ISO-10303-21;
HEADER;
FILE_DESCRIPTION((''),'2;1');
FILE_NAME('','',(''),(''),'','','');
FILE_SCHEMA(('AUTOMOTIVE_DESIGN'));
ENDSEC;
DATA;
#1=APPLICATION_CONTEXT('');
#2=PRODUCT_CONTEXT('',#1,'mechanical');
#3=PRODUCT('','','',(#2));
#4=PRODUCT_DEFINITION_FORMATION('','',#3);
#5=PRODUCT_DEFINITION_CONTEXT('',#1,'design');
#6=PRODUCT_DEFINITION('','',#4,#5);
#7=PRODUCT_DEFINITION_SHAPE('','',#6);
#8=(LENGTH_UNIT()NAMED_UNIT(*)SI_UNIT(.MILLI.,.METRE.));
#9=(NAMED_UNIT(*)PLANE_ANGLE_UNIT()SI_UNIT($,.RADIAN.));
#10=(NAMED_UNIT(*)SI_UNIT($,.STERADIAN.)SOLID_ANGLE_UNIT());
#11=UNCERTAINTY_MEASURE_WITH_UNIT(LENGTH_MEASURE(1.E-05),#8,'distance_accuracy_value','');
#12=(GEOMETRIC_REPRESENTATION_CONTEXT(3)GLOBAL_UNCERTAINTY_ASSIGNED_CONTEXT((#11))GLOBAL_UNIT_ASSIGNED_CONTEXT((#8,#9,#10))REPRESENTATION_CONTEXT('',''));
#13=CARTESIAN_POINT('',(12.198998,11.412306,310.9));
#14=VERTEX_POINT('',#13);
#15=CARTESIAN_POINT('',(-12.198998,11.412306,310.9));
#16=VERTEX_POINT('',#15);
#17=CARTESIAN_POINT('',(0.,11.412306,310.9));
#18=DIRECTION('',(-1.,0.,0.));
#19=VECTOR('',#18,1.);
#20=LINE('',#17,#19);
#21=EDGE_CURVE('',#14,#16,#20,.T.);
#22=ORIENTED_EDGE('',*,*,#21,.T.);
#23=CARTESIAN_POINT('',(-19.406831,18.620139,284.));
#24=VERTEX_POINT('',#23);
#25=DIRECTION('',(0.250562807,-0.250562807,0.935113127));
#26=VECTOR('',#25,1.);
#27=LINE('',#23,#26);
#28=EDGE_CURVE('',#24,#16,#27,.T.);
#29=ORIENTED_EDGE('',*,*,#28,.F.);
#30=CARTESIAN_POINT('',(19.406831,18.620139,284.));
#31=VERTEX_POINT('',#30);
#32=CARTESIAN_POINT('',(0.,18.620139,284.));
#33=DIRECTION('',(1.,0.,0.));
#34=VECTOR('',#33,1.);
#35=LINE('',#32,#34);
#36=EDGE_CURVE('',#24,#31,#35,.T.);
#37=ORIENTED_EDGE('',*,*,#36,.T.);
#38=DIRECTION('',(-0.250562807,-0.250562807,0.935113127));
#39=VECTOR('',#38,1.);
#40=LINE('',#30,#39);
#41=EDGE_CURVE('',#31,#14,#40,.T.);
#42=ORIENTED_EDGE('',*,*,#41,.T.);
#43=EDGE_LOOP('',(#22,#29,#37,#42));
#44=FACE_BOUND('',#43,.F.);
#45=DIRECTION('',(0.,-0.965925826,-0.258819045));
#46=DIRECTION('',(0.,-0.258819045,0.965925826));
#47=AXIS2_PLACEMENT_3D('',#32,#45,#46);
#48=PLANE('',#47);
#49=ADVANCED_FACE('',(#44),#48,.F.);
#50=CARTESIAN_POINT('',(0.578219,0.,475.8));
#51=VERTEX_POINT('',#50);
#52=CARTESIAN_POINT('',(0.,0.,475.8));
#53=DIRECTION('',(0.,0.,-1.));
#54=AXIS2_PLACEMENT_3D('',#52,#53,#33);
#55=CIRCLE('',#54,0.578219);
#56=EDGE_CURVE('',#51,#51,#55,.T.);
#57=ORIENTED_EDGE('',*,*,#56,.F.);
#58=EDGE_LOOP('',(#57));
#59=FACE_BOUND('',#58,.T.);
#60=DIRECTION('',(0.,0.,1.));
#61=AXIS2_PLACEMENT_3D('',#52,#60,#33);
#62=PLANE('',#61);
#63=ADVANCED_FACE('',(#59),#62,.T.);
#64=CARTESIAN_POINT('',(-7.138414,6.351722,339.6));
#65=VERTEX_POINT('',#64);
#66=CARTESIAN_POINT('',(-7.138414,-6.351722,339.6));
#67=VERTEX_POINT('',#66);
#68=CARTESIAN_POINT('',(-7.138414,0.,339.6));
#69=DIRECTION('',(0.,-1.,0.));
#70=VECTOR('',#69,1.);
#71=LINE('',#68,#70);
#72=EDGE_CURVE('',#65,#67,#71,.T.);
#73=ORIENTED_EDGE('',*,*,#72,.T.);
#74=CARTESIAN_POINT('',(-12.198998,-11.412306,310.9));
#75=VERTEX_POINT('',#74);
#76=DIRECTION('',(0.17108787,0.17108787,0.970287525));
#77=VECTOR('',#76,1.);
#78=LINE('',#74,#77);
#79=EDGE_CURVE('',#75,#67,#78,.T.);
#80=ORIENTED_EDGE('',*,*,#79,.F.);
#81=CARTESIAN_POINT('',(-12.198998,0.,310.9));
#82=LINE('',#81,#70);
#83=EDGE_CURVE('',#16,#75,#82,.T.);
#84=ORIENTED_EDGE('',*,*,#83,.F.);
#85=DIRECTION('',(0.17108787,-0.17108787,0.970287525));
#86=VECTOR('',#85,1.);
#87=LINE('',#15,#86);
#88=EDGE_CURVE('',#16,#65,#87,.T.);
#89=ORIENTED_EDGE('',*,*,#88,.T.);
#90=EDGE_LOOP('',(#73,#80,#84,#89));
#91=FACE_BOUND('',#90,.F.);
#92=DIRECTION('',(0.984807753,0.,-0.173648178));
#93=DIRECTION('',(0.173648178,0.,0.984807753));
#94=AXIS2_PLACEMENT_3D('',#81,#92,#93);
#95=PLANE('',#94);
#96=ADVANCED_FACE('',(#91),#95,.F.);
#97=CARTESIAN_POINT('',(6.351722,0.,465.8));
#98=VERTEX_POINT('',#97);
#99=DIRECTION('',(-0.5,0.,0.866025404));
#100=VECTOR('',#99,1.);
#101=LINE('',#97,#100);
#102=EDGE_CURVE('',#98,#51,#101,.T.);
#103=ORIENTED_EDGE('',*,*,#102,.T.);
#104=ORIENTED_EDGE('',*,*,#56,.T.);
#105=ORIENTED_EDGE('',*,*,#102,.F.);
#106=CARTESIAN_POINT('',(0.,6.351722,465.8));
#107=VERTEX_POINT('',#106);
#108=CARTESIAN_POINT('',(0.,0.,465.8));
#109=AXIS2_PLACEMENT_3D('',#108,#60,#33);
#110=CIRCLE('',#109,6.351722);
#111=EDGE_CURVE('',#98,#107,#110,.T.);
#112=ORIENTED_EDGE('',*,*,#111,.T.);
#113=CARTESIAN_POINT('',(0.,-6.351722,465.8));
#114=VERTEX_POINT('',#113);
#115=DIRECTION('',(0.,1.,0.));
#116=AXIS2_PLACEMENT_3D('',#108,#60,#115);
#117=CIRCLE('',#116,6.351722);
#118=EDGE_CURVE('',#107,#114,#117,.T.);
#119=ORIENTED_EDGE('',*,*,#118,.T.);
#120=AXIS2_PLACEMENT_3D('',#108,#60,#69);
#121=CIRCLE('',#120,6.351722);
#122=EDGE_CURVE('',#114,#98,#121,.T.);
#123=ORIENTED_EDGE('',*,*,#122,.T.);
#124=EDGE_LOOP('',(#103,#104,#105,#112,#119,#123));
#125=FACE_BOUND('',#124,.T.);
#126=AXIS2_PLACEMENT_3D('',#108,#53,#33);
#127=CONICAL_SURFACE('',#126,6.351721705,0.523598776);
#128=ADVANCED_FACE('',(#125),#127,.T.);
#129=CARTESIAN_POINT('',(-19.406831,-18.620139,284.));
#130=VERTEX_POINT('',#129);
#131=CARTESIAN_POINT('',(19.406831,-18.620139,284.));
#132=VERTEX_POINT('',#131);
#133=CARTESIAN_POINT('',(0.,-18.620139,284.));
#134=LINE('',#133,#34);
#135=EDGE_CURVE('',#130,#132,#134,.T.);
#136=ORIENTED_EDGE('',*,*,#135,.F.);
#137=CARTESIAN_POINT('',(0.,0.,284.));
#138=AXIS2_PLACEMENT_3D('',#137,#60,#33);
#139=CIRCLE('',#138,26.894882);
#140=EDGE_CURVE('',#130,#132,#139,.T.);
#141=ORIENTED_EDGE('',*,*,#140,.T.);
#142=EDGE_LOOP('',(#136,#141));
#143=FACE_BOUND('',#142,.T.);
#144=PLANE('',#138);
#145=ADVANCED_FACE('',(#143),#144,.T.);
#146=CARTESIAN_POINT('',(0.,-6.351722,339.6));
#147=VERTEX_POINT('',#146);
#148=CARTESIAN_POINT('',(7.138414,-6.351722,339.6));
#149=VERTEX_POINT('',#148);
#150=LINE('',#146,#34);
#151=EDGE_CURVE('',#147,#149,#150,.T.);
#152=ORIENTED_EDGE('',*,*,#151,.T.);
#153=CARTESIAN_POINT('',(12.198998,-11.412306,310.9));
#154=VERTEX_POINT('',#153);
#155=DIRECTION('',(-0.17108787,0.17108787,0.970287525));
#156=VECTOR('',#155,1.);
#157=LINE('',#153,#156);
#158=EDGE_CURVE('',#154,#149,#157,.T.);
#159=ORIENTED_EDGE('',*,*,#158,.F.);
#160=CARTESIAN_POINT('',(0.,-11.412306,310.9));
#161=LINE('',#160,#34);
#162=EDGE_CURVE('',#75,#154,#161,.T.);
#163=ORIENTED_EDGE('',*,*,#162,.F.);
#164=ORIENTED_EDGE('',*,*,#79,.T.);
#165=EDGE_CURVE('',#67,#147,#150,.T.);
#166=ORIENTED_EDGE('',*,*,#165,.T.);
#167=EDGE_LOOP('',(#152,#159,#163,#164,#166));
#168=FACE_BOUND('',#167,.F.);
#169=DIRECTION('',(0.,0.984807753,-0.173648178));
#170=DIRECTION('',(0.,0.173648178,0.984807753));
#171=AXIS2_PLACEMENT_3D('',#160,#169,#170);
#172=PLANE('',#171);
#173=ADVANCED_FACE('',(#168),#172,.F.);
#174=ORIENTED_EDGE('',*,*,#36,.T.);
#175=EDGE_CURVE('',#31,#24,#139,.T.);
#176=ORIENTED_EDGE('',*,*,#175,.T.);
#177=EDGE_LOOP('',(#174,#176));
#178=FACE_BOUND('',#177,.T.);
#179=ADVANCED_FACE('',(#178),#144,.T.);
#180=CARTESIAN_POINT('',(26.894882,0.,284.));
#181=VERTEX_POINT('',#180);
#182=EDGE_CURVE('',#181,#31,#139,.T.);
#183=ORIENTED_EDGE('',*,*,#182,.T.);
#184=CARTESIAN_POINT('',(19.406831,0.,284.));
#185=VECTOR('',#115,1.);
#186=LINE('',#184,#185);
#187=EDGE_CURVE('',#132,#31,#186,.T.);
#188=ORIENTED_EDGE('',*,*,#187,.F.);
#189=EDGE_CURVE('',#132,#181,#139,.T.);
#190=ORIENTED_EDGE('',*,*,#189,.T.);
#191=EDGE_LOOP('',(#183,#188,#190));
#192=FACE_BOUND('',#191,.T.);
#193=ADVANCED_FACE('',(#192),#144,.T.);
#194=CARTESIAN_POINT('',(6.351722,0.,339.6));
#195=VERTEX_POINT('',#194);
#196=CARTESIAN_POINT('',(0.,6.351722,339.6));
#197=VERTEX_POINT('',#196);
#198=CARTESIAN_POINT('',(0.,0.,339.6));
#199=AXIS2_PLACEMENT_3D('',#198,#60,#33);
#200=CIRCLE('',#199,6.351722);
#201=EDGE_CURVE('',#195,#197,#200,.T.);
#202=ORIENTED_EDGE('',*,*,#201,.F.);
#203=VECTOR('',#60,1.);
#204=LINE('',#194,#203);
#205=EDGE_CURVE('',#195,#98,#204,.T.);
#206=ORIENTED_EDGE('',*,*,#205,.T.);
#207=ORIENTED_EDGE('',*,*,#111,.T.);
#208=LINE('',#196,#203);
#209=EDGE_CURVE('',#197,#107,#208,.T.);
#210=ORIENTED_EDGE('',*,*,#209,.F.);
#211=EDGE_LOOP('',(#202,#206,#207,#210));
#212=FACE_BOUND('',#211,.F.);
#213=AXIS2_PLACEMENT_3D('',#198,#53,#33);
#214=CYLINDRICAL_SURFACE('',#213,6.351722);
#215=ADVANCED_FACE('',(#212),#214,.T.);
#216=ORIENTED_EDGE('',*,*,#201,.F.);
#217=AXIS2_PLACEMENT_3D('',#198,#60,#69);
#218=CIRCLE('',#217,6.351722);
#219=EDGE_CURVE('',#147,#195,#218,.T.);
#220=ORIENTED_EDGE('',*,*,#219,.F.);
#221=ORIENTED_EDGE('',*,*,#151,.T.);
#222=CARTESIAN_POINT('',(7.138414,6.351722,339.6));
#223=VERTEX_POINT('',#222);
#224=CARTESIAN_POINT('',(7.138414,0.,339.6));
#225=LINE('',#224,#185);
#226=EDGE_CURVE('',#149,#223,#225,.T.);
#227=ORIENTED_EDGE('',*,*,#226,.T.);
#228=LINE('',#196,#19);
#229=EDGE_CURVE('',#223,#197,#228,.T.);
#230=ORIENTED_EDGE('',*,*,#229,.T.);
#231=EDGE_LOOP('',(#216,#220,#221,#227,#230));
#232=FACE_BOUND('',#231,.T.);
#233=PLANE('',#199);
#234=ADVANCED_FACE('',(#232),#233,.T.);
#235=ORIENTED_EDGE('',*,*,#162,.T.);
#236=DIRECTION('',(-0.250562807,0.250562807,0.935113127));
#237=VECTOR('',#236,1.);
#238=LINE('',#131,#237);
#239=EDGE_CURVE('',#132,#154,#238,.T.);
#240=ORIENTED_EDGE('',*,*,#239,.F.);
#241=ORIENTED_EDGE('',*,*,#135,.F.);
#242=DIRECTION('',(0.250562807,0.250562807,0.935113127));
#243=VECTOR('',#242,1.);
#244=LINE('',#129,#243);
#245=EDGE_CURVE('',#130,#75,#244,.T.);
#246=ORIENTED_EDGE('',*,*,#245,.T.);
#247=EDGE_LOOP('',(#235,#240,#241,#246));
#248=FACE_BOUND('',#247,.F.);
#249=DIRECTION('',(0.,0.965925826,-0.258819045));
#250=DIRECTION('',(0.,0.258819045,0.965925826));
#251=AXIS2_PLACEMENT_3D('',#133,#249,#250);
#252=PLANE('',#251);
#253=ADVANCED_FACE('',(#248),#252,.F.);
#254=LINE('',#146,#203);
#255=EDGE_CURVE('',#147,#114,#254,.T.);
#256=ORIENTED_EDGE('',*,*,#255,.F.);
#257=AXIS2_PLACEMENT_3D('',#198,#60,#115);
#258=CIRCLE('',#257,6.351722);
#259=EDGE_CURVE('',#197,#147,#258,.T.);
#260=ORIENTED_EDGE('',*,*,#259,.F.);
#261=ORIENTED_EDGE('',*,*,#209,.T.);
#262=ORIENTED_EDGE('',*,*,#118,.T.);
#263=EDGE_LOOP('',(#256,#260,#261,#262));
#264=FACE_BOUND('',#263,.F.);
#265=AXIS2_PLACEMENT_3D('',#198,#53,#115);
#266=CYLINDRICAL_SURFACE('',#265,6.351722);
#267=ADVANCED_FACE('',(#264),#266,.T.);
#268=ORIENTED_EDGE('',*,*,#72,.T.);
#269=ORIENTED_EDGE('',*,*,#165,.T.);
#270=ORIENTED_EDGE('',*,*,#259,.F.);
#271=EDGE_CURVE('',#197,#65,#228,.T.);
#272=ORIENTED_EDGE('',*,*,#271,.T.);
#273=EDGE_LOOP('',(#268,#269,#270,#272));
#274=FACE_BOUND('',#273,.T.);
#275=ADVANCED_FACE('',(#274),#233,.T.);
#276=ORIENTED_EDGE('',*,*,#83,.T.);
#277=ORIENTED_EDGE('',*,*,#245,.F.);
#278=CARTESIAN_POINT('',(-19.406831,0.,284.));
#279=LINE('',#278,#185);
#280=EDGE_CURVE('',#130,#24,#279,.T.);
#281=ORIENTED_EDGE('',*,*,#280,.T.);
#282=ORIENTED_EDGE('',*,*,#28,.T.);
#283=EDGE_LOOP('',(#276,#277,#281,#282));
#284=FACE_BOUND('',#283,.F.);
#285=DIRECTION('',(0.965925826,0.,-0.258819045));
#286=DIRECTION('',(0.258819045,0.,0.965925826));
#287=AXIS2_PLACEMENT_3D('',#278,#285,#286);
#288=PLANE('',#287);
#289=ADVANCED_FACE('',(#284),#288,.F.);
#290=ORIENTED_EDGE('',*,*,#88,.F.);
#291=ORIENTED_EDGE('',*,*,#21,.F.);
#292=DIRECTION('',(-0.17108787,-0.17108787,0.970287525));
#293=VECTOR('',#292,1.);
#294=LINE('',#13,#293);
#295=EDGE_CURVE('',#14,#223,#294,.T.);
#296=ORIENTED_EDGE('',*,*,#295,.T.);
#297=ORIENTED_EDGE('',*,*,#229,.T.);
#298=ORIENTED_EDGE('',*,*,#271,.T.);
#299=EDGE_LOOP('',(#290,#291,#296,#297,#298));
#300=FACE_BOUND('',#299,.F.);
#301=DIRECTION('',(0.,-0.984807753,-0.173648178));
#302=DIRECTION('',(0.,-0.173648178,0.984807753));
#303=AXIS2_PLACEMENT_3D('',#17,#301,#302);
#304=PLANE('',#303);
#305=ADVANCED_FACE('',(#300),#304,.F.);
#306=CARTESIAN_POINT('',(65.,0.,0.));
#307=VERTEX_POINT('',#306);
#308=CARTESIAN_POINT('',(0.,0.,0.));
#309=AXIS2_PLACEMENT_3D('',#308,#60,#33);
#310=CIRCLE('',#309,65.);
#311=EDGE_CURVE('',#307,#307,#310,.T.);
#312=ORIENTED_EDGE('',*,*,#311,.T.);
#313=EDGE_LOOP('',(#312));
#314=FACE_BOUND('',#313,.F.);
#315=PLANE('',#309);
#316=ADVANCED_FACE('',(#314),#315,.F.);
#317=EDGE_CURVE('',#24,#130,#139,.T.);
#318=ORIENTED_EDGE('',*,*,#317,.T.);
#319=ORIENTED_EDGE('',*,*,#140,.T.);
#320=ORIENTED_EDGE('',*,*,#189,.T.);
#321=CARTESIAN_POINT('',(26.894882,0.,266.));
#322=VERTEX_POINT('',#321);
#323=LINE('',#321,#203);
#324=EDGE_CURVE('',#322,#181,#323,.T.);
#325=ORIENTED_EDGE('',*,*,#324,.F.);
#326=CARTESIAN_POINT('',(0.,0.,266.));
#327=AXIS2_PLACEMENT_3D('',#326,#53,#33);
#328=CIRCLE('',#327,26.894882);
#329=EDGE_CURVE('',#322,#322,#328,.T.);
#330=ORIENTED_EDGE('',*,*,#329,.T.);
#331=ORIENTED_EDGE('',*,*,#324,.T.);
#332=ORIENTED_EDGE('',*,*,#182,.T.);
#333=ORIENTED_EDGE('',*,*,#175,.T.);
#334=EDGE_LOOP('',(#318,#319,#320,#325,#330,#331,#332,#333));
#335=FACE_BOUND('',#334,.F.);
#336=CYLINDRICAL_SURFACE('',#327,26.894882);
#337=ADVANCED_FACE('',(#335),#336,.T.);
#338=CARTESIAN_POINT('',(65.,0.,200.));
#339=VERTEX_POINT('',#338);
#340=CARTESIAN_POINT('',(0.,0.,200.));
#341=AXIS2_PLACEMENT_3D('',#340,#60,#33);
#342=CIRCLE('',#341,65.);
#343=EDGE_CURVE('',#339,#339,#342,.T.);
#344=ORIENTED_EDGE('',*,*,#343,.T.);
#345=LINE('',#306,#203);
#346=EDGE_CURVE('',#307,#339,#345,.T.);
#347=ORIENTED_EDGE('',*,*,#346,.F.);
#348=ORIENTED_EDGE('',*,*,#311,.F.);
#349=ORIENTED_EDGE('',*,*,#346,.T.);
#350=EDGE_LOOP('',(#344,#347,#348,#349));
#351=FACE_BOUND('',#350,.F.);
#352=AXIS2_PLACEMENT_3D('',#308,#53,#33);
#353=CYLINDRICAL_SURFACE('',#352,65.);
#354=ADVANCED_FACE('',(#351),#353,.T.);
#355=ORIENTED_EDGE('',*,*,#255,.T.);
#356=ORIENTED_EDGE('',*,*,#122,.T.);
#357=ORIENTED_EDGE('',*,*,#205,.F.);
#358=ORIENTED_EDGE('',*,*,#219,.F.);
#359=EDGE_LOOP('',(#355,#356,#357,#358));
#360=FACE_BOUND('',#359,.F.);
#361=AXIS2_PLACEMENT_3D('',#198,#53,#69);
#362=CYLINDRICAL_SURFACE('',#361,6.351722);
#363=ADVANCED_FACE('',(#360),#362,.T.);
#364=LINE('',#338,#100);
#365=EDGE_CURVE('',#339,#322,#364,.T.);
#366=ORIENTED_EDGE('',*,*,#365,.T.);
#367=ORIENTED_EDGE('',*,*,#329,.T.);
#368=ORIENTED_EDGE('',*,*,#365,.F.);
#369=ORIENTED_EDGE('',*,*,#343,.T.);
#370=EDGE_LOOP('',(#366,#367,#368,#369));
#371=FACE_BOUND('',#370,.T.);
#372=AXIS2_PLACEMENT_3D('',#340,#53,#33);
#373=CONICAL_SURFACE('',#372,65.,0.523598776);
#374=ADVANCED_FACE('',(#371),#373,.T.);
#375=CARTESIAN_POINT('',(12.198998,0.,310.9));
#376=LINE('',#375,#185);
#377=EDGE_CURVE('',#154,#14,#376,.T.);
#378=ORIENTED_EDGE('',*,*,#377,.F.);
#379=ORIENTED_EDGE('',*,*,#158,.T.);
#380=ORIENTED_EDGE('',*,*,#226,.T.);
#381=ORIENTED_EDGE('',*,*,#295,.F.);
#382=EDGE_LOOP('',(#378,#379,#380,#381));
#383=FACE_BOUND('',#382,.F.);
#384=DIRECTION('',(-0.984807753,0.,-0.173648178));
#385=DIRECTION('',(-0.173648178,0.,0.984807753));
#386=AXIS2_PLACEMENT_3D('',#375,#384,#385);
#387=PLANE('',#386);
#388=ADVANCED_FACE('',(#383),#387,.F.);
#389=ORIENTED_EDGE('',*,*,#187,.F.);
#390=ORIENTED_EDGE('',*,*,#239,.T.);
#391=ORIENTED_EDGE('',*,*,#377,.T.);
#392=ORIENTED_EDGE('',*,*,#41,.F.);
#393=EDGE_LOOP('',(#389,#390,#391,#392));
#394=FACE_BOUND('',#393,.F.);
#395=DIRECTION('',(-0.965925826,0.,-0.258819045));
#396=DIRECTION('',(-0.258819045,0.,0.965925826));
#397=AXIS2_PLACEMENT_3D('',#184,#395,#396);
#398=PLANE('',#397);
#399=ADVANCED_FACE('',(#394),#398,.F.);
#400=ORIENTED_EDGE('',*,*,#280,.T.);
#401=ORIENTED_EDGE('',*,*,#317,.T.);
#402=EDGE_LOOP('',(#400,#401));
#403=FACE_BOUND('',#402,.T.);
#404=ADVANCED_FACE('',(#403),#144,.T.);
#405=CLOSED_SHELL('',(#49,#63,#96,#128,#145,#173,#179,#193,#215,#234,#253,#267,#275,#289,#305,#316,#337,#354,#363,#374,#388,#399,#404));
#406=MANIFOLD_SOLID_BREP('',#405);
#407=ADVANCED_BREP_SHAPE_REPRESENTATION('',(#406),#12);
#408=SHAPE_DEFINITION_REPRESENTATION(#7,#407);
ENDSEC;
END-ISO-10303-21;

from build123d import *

# Parameters (mm, degrees)
F0_R       = 65
F1_DEPTH   = 200
F2_R       = 65
F3_DEPTH   = 66
F3_TAPER   = 30
F4_R       = 26.8948822335
F5_DEPTH   = 18
F6_W       = 38.8136626348
F6_H       = 37.2402786548
F7_DEPTH   = 26.9
F7_TAPER   = 15
F7_FACE_W  = 24.397996082
F7_FACE_H  = 22.824612102
F8_DEPTH   = 28.7
F8_TAPER   = 10
F10_DEPTH  = 126.2
F11_R      = 6.3517217046
F10_FACE_R = 6.3517217046
F12_DEPTH  = 10
F12_TAPER  = 30


with BuildPart() as f1:
    # F0 (on Top) → F1 (new body)
    with BuildSketch(Plane.XY):
        Circle(F0_R)
    extrude(amount=F1_DEPTH)

    # F2 (on face) → F3 (join)
    with BuildSketch(Plane.XY.offset(200)):
        Circle(F2_R)
    extrude(amount=F3_DEPTH, taper=F3_TAPER)

    # F4 (on face) → F5 (join)
    with BuildSketch(Plane.XY.offset(266)):
        Circle(F4_R)
    extrude(amount=F5_DEPTH)

    # F6 (on face) → F7 (join)
    with BuildSketch(Plane.XY.offset(284)):
        Rectangle(F6_W, F6_H)
    extrude(amount=F7_DEPTH, taper=F7_TAPER)

    # F7_face (on face) → F8 (join)
    with BuildSketch(Plane.XY.offset(310.9)):
        Rectangle(F7_FACE_W, F7_FACE_H)
    extrude(amount=F8_DEPTH, taper=F8_TAPER)

    # F9 (on face) → F10 (join)
    with BuildSketch(Plane.XY.offset(339.6)):
        with BuildLine():
            ThreePointArc((0, -6.3517217046), (4.4913454896, -4.4913454896), (6.3517217046, 0))
            ThreePointArc((6.3517217046, 0), (4.4913454896, 4.4913454896), (0, 6.3517217046))
            ThreePointArc((0, 6.3517217046), (-6.3517217046, 0), (0, -6.3517217046))
        make_face()
    extrude(amount=F10_DEPTH)

    # F11 (on face) + F10_face (on face) → F12 (join)
    with BuildSketch(Plane.XY.offset(465.8)):
        Circle(F11_R)
    with BuildSketch(Plane.XY.offset(465.8)):
        Circle(F10_FACE_R)
    extrude(amount=F12_DEPTH, taper=F12_TAPER)


solid = f1.part
